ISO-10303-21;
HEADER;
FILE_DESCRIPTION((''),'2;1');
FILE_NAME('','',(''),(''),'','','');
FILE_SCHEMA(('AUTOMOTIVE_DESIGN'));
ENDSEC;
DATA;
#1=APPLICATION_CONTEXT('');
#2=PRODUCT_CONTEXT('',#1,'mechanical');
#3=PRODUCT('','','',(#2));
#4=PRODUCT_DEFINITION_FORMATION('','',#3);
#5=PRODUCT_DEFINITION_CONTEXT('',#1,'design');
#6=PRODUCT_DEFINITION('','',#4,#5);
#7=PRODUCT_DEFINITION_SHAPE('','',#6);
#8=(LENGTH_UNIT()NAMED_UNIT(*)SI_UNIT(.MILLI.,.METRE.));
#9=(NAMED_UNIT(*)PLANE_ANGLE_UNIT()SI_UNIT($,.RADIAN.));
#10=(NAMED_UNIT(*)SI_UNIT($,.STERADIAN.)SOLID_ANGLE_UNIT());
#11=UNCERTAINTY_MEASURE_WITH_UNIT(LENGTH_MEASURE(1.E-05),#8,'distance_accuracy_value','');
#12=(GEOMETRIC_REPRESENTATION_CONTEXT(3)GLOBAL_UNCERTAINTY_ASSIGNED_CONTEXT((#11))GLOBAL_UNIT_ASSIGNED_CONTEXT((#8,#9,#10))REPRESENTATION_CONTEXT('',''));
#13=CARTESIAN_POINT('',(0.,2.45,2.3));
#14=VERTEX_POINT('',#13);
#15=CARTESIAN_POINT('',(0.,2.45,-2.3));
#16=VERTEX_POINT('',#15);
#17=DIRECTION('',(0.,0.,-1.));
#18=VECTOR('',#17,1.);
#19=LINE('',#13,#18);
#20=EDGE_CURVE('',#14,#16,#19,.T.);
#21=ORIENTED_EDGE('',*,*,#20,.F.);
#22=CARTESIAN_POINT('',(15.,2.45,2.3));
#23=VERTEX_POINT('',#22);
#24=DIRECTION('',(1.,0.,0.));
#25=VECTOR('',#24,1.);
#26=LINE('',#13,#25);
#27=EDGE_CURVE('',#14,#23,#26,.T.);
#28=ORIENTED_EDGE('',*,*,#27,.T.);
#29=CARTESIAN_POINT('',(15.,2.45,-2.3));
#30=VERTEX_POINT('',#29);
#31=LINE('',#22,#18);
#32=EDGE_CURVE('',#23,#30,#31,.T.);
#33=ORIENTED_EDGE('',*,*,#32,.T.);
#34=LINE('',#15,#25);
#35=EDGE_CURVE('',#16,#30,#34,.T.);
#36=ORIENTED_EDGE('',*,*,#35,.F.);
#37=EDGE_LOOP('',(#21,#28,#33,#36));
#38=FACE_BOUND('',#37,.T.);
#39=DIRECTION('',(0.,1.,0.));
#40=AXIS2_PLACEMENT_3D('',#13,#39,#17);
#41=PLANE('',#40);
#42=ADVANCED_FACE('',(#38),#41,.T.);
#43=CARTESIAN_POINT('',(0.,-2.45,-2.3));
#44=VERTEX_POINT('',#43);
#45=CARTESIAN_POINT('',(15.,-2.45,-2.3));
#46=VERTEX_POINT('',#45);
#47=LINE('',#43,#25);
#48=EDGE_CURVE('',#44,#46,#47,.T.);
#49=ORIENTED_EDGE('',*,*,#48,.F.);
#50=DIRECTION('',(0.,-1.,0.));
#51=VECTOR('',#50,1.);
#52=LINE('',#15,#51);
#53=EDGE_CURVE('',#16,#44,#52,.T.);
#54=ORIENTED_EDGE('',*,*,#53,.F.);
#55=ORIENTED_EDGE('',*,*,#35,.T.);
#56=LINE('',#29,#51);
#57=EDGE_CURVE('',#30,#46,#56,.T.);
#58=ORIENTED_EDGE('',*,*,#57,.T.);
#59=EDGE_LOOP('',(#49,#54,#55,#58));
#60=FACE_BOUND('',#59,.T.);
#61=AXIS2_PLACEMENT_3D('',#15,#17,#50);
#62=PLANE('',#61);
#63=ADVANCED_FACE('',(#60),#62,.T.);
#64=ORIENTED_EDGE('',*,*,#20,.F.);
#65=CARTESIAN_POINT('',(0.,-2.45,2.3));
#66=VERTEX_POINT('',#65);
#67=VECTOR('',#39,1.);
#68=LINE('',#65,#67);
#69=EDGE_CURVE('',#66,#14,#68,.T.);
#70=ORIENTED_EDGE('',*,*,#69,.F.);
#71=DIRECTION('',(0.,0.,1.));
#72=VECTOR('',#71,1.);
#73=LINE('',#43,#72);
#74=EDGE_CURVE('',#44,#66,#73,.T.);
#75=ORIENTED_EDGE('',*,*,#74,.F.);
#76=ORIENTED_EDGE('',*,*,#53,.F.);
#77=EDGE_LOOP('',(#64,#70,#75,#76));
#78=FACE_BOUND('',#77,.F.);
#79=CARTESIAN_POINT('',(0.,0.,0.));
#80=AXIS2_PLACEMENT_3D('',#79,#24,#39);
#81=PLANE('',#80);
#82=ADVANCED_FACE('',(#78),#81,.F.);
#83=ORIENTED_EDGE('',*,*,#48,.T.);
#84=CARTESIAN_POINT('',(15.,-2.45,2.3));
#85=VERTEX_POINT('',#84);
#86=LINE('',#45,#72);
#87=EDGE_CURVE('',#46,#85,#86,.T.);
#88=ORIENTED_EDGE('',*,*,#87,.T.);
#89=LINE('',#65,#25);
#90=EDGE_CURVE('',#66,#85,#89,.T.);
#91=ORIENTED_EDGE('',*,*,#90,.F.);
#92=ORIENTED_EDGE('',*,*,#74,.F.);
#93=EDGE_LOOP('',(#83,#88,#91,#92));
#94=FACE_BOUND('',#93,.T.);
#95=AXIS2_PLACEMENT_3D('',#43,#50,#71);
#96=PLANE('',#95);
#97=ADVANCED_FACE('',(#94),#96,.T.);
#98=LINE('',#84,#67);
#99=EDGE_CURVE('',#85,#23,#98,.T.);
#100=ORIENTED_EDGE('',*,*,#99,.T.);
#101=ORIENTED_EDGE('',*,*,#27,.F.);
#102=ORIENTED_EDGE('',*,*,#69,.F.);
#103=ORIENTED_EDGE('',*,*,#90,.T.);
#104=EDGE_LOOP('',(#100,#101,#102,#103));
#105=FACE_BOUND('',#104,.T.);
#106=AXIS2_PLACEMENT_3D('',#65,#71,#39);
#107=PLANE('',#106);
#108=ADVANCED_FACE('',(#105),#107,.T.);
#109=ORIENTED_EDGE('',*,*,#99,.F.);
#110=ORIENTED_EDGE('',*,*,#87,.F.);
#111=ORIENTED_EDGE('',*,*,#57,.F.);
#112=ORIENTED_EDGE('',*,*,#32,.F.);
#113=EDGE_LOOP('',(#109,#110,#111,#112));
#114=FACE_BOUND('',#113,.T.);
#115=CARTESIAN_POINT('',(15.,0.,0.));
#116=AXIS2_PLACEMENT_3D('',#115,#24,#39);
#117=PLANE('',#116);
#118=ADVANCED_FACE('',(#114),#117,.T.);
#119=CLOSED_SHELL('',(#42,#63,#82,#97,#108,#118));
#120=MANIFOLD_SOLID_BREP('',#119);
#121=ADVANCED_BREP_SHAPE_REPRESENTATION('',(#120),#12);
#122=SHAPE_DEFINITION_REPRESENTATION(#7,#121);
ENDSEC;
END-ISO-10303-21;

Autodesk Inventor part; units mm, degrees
ref_plane "YZ Plane" through (0, 0, 0) normal (1, 0, 0) x (0, 1, 0)
ref_plane "XZ Plane" through (0, 0, 0) normal (0, 1, 0) x (-1, 0, 0)
ref_plane "XY Plane" through (0, 0, 0) normal (0, 0, 1) x (1, 0, 0)
sketch "스케치1" plane through (0, 0, 0) normal (1, 0, 0) x (0, 1, 0)
  line L0 (-2.45, 2.3) -> (2.45, 2.3)
  line L1 (2.45, 2.3) -> (2.45, -2.3)
  line L2 (2.45, -2.3) -> (-2.45, -2.3)
  line L3 (-2.45, -2.3) -> (-2.45, 2.3)
  line L4 (-2.45, 2.3) -> (2.45, -2.3) construction
  line L5 (2.45, 2.3) -> (-2.45, -2.3) construction
  point P0 (0, 0)
  dimension "d0" = 4.9
  dimension "d1" = 4.6
extrude "돌출1" add sketch "스케치1" along normal blind 15
properties part number "key_v2" material "고무, 검은색"
